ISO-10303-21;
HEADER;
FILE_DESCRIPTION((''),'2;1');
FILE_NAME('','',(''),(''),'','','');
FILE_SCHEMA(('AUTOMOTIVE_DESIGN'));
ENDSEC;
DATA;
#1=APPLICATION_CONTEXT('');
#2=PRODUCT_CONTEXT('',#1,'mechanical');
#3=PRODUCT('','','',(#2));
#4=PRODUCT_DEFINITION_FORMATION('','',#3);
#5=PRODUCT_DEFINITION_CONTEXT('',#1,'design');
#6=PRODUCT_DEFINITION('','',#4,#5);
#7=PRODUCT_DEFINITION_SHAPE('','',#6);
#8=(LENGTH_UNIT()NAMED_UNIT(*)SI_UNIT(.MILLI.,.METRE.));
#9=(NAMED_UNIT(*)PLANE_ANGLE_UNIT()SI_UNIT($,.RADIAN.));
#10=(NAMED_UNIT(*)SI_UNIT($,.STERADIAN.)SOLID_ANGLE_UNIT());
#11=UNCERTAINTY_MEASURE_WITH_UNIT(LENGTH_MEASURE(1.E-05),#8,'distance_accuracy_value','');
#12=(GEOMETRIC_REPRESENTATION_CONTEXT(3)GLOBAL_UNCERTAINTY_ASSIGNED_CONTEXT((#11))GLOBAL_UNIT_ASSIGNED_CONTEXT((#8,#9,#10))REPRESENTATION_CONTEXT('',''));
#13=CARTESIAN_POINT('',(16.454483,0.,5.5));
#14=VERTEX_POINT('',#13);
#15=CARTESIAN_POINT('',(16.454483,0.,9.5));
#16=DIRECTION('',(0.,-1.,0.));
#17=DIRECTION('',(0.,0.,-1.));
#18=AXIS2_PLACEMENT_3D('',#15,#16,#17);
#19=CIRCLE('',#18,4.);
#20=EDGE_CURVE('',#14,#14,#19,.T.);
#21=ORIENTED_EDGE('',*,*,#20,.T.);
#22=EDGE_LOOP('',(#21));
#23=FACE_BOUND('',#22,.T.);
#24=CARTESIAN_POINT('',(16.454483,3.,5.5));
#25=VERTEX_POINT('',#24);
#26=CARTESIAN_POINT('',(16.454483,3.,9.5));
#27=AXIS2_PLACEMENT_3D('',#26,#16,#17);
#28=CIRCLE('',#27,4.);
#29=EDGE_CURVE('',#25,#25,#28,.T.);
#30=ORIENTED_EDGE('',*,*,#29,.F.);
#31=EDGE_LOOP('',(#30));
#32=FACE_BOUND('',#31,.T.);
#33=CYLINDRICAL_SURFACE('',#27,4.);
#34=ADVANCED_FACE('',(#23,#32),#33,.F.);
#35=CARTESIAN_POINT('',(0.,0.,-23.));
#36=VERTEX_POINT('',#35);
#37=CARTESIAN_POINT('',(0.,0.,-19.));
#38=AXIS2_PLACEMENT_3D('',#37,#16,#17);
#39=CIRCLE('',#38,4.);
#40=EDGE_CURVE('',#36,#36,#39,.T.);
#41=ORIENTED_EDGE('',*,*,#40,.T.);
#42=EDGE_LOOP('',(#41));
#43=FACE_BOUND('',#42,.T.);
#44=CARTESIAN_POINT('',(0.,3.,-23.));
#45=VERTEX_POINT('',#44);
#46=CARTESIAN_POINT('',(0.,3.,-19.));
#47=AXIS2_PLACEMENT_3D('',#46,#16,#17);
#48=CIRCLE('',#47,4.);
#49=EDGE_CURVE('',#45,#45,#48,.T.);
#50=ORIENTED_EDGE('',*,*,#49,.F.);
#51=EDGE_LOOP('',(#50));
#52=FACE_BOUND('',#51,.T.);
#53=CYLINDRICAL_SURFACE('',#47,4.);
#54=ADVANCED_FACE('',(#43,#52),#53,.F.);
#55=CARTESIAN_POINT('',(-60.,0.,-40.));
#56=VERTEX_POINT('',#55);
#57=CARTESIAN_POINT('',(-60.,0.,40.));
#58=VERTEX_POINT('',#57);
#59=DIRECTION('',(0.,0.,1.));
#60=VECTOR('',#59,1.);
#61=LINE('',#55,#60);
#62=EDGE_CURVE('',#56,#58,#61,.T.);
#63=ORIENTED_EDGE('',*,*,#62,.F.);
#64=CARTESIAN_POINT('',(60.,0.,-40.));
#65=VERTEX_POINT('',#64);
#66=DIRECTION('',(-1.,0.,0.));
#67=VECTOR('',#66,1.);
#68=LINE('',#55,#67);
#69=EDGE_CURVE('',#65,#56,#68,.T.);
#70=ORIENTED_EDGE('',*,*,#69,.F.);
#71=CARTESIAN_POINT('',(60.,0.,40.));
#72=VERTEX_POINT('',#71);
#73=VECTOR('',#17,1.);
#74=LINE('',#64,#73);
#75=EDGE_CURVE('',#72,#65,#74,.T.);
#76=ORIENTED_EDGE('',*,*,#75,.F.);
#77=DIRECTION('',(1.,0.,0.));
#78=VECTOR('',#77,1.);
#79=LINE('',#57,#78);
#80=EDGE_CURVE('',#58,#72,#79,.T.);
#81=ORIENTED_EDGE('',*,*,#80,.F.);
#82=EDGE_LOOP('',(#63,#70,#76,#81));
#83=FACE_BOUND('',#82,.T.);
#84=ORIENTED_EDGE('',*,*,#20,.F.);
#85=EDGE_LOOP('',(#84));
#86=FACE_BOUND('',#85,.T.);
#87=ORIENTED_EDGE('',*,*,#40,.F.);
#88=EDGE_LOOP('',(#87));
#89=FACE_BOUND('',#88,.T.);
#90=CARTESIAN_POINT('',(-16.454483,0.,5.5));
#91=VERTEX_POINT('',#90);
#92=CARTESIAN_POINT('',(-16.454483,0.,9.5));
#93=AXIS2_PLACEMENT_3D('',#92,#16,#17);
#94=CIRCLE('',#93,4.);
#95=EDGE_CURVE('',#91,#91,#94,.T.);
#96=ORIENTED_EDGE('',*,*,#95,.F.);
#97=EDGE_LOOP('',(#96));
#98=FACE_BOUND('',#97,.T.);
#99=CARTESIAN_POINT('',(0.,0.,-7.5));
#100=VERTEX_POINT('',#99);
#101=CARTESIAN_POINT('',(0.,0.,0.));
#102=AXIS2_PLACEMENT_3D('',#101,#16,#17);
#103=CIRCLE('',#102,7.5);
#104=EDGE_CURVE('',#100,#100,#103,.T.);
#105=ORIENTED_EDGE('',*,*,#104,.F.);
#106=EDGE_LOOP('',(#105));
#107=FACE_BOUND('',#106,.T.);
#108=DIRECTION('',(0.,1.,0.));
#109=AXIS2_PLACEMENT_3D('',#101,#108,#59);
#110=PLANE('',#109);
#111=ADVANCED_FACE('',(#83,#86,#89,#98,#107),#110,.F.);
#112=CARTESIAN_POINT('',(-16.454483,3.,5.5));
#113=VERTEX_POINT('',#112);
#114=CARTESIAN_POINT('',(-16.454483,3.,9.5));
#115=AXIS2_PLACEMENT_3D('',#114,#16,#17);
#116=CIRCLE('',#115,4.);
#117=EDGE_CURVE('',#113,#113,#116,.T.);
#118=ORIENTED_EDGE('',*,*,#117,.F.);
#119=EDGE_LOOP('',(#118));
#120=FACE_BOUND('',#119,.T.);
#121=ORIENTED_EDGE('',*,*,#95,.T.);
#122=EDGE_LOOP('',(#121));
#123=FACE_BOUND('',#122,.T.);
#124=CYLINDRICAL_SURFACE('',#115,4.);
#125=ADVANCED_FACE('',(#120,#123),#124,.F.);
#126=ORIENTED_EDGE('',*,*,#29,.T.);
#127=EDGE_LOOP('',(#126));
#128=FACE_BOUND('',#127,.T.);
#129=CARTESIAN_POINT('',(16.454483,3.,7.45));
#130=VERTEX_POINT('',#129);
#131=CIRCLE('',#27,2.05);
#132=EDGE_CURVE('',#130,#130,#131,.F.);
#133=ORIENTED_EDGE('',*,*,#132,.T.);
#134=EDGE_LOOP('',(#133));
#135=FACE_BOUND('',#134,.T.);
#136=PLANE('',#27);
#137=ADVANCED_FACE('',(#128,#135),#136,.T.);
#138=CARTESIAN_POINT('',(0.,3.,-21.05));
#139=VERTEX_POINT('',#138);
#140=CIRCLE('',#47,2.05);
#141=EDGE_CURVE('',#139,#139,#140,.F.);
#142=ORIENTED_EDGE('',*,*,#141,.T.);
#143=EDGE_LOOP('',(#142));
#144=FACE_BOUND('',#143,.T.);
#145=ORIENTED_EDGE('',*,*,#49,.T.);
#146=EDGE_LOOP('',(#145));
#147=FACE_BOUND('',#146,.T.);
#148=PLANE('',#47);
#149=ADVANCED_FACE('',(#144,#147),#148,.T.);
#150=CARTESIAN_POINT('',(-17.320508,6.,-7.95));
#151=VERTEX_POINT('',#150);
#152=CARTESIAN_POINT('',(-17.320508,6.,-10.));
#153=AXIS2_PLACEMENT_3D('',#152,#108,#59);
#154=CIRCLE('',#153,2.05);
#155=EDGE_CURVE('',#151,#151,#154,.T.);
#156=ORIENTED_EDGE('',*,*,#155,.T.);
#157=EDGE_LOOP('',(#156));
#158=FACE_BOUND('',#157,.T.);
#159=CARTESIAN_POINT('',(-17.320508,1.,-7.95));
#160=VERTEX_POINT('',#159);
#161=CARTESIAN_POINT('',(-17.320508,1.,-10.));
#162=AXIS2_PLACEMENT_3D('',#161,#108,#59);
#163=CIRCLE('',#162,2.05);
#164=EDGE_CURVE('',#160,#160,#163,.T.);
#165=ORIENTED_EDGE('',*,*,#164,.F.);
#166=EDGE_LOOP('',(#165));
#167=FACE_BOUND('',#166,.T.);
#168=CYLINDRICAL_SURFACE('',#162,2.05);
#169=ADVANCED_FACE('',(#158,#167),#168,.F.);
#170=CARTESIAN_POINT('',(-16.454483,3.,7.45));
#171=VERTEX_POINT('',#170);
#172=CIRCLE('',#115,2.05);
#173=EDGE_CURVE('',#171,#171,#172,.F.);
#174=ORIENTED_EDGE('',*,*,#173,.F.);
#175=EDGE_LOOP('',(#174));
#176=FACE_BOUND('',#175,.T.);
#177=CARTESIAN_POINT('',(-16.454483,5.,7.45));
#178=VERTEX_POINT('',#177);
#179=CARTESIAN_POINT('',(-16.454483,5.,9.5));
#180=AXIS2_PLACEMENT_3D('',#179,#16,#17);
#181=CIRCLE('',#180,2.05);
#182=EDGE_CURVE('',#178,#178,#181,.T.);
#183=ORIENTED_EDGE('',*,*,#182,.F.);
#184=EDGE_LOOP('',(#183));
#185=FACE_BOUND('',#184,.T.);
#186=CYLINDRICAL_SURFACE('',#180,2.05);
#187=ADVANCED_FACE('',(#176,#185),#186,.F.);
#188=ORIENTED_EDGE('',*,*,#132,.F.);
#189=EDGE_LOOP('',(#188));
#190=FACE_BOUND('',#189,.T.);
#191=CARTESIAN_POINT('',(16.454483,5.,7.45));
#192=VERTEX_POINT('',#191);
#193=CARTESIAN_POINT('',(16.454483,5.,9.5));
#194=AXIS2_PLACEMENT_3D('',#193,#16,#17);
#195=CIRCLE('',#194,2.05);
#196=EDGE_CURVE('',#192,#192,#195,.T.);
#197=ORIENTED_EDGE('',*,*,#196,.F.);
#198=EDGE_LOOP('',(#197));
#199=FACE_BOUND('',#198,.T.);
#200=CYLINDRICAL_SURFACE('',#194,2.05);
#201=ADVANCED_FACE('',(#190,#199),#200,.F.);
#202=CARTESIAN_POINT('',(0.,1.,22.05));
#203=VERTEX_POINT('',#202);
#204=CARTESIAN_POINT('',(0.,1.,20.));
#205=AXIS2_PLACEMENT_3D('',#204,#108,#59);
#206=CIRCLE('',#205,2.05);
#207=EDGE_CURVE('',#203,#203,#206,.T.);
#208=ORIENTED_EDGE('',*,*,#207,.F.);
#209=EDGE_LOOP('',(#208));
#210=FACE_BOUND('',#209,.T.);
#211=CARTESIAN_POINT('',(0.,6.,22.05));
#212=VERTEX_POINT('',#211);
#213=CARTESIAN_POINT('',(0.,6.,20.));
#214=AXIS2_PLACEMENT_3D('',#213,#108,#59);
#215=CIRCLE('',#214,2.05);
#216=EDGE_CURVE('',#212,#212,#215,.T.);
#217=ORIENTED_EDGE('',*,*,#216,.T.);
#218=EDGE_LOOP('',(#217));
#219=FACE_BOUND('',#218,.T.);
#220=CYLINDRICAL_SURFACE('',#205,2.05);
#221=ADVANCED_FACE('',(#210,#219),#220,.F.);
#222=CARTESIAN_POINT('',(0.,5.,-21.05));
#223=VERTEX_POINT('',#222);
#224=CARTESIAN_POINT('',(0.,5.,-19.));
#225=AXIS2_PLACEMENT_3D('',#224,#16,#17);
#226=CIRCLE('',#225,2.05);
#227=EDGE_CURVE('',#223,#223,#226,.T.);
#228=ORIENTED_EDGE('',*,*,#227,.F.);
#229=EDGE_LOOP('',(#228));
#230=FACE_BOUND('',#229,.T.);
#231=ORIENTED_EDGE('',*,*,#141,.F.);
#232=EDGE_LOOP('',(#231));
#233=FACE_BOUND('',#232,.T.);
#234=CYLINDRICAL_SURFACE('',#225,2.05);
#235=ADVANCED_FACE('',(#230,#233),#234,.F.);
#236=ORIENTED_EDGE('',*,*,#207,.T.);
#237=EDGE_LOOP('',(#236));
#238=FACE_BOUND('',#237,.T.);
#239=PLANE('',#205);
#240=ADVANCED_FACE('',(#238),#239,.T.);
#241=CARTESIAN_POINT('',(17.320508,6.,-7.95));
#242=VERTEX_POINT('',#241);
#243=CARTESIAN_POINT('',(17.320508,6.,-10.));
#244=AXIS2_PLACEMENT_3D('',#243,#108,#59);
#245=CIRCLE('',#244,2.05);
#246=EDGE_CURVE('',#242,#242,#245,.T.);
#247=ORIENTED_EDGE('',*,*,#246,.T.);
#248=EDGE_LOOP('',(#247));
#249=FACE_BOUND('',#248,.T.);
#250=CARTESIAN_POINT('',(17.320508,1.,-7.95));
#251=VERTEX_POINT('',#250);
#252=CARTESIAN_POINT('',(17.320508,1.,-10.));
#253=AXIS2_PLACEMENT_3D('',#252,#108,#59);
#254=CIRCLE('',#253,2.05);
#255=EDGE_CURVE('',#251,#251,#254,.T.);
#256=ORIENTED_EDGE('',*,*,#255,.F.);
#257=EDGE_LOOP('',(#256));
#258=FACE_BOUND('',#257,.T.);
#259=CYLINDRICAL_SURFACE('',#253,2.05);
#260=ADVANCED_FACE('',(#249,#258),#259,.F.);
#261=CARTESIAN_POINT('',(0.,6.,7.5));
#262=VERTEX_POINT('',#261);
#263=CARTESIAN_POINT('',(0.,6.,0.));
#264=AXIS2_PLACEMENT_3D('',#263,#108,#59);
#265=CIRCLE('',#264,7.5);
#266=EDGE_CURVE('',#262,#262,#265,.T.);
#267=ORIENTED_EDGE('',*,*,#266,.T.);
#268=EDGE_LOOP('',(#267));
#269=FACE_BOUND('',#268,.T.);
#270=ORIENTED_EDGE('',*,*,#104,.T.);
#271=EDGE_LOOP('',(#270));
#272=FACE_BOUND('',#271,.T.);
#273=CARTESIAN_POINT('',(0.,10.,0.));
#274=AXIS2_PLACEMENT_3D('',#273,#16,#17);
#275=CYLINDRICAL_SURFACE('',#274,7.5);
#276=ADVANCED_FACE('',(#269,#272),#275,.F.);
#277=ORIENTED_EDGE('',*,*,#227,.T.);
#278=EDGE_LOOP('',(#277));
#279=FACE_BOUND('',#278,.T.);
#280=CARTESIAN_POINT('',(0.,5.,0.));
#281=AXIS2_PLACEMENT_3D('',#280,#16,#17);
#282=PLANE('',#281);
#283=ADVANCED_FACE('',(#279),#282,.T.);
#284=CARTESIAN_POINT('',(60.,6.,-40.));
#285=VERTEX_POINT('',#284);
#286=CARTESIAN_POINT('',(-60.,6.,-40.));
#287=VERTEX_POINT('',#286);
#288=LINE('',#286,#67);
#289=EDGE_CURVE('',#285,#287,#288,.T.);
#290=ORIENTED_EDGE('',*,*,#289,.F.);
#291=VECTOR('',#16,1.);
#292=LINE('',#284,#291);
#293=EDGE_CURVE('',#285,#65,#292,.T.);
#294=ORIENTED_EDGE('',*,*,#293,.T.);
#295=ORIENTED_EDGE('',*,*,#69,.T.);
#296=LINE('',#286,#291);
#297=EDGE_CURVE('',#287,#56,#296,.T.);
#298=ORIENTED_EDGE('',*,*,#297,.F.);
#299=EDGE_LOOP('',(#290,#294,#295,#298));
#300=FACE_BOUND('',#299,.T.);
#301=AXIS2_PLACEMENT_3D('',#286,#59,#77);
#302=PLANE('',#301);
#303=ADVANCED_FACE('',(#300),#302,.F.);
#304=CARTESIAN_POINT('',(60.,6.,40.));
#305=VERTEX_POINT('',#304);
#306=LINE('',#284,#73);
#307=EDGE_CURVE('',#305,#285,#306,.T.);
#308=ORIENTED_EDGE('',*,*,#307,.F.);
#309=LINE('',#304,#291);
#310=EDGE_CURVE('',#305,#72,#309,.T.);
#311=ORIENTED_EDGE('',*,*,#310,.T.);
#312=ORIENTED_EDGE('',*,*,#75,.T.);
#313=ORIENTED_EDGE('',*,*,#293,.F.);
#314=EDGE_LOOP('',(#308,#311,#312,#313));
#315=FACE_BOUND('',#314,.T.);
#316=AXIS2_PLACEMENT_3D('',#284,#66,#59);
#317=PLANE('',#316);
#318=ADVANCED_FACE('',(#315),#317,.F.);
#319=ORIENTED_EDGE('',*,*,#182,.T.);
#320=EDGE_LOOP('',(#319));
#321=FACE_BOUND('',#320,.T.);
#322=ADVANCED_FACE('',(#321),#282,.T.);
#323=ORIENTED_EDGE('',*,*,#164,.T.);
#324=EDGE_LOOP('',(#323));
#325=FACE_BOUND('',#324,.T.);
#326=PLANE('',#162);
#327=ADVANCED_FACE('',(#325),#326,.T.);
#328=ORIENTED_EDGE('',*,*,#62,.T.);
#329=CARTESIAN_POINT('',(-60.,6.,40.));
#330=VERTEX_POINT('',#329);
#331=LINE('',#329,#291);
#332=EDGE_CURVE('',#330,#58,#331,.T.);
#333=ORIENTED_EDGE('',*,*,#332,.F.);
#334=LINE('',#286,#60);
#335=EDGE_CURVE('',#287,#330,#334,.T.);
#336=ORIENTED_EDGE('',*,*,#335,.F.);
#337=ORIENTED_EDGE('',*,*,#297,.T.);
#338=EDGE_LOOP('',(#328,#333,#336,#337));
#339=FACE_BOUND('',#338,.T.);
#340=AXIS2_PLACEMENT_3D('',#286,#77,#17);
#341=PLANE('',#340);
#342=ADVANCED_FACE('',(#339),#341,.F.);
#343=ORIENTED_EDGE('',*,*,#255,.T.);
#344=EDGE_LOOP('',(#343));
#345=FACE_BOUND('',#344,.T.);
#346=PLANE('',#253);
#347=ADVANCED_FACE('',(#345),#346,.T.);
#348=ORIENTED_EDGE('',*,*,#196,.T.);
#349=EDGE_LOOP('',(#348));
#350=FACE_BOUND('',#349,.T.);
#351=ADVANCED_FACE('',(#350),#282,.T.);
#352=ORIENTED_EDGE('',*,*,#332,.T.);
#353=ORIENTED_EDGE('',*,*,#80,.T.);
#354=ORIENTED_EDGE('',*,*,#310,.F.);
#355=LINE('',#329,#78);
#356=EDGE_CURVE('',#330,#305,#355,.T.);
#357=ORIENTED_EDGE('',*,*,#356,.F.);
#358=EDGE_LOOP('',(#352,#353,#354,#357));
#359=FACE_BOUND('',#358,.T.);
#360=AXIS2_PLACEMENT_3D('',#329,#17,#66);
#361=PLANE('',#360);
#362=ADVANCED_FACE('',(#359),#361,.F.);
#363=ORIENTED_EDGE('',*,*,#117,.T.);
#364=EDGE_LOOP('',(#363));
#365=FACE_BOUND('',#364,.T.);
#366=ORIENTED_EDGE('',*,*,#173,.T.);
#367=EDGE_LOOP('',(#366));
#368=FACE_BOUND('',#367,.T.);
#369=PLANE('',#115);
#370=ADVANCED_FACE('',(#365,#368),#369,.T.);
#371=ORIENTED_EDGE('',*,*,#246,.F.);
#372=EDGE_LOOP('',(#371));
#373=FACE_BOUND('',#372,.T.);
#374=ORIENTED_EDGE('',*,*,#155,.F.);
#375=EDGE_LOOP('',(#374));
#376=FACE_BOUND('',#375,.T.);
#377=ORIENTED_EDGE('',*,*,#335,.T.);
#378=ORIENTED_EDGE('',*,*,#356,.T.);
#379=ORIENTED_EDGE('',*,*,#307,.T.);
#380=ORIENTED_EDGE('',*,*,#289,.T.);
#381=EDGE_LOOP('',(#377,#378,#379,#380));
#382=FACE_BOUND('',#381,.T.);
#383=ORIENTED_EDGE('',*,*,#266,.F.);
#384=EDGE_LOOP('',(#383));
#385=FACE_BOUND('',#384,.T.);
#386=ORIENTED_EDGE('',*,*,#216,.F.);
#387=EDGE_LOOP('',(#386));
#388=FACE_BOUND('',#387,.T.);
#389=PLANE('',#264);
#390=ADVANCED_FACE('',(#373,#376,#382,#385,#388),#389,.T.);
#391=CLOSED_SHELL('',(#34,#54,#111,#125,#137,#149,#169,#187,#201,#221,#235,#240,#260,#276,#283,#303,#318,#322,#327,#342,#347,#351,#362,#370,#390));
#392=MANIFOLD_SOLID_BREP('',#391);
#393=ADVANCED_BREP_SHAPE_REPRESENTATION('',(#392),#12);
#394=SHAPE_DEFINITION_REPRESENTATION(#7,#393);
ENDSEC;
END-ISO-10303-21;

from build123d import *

# Parameters (mm, degrees)
SKETCH_1_W              = 120
SKETCH_1_H              = 80
EXTRUDE_1_DEPTH         = 6
SKETCH_3_R              = 2.05
CUT_EXTRUDE_4_1_1_DEPTH = 5
SKETCH_4_R              = 2.05
CUT_EXTRUDE_4_1_2_DEPTH = 5
SKETCH_5_R              = 4
CUT_EXTRUDE_3_DEPTH     = 3
SKETCH_6_R              = 7.5
CUT_EXTRUDE_4_DEPTH     = 10


with BuildPart() as part:
    # 草图1 → 凸台-拉伸1 (new body)
    with BuildSketch(Plane(origin=(0, 0, 0), x_dir=(1, 0, 0), z_dir=(0, 1, 0))):
        Rectangle(SKETCH_1_W, SKETCH_1_H)
    extrude(amount=EXTRUDE_1_DEPTH)

    # 草图3 → φ4.1孔1 (cut)
    with BuildSketch(Plane(origin=(0, 6, 0), x_dir=(1, 0, 0), z_dir=(0, 1, 0))):
        with Locations(Location((0, -20, 0), (0, 0, 270))):
            Circle(SKETCH_3_R)
        with Locations(Location((-17.320508076, 10, 0), (0, 0, 270))):
            Circle(SKETCH_3_R)
        with Locations(Location((17.320508076, 10, 0), (0, 0, 270))):
            Circle(SKETCH_3_R)
    extrude(amount=-CUT_EXTRUDE_4_1_1_DEPTH, mode=Mode.SUBTRACT)

    # 草图4 → φ4.1孔2 (cut)
    with BuildSketch(Plane.XZ):
        with Locations(Location((-16.454482672, 9.5, 0), (0, 0, 270))):
            Circle(SKETCH_4_R)
        with Locations(Location((16.454482672, 9.5, 0), (0, 0, 270))):
            Circle(SKETCH_4_R)
        with Locations(Location((0, -19, 0), (0, 0, 270))):
            Circle(SKETCH_4_R)
    extrude(amount=-CUT_EXTRUDE_4_1_2_DEPTH, mode=Mode.SUBTRACT)

    # 草图5 → 切除-拉伸3 (cut)
    with BuildSketch(Plane.XZ):
        with Locations(Location((-16.454482672, 9.5, 0), (0, 0, 270))):
            Circle(SKETCH_5_R)
        with Locations(Location((16.454482672, 9.5, 0), (0, 0, 270))):
            Circle(SKETCH_5_R)
        with Locations(Location((0, -19, 0), (0, 0, 270))):
            Circle(SKETCH_5_R)
    extrude(amount=-CUT_EXTRUDE_3_DEPTH, mode=Mode.SUBTRACT)

    # 草图6 → 切除-拉伸4 (cut)
    with BuildSketch(Plane.XZ):
        with Locations(Location((0, 0, 0), (0, 0, 270))):
            Circle(SKETCH_6_R)
    extrude(amount=-CUT_EXTRUDE_4_DEPTH, mode=Mode.SUBTRACT)


solid = part.part
